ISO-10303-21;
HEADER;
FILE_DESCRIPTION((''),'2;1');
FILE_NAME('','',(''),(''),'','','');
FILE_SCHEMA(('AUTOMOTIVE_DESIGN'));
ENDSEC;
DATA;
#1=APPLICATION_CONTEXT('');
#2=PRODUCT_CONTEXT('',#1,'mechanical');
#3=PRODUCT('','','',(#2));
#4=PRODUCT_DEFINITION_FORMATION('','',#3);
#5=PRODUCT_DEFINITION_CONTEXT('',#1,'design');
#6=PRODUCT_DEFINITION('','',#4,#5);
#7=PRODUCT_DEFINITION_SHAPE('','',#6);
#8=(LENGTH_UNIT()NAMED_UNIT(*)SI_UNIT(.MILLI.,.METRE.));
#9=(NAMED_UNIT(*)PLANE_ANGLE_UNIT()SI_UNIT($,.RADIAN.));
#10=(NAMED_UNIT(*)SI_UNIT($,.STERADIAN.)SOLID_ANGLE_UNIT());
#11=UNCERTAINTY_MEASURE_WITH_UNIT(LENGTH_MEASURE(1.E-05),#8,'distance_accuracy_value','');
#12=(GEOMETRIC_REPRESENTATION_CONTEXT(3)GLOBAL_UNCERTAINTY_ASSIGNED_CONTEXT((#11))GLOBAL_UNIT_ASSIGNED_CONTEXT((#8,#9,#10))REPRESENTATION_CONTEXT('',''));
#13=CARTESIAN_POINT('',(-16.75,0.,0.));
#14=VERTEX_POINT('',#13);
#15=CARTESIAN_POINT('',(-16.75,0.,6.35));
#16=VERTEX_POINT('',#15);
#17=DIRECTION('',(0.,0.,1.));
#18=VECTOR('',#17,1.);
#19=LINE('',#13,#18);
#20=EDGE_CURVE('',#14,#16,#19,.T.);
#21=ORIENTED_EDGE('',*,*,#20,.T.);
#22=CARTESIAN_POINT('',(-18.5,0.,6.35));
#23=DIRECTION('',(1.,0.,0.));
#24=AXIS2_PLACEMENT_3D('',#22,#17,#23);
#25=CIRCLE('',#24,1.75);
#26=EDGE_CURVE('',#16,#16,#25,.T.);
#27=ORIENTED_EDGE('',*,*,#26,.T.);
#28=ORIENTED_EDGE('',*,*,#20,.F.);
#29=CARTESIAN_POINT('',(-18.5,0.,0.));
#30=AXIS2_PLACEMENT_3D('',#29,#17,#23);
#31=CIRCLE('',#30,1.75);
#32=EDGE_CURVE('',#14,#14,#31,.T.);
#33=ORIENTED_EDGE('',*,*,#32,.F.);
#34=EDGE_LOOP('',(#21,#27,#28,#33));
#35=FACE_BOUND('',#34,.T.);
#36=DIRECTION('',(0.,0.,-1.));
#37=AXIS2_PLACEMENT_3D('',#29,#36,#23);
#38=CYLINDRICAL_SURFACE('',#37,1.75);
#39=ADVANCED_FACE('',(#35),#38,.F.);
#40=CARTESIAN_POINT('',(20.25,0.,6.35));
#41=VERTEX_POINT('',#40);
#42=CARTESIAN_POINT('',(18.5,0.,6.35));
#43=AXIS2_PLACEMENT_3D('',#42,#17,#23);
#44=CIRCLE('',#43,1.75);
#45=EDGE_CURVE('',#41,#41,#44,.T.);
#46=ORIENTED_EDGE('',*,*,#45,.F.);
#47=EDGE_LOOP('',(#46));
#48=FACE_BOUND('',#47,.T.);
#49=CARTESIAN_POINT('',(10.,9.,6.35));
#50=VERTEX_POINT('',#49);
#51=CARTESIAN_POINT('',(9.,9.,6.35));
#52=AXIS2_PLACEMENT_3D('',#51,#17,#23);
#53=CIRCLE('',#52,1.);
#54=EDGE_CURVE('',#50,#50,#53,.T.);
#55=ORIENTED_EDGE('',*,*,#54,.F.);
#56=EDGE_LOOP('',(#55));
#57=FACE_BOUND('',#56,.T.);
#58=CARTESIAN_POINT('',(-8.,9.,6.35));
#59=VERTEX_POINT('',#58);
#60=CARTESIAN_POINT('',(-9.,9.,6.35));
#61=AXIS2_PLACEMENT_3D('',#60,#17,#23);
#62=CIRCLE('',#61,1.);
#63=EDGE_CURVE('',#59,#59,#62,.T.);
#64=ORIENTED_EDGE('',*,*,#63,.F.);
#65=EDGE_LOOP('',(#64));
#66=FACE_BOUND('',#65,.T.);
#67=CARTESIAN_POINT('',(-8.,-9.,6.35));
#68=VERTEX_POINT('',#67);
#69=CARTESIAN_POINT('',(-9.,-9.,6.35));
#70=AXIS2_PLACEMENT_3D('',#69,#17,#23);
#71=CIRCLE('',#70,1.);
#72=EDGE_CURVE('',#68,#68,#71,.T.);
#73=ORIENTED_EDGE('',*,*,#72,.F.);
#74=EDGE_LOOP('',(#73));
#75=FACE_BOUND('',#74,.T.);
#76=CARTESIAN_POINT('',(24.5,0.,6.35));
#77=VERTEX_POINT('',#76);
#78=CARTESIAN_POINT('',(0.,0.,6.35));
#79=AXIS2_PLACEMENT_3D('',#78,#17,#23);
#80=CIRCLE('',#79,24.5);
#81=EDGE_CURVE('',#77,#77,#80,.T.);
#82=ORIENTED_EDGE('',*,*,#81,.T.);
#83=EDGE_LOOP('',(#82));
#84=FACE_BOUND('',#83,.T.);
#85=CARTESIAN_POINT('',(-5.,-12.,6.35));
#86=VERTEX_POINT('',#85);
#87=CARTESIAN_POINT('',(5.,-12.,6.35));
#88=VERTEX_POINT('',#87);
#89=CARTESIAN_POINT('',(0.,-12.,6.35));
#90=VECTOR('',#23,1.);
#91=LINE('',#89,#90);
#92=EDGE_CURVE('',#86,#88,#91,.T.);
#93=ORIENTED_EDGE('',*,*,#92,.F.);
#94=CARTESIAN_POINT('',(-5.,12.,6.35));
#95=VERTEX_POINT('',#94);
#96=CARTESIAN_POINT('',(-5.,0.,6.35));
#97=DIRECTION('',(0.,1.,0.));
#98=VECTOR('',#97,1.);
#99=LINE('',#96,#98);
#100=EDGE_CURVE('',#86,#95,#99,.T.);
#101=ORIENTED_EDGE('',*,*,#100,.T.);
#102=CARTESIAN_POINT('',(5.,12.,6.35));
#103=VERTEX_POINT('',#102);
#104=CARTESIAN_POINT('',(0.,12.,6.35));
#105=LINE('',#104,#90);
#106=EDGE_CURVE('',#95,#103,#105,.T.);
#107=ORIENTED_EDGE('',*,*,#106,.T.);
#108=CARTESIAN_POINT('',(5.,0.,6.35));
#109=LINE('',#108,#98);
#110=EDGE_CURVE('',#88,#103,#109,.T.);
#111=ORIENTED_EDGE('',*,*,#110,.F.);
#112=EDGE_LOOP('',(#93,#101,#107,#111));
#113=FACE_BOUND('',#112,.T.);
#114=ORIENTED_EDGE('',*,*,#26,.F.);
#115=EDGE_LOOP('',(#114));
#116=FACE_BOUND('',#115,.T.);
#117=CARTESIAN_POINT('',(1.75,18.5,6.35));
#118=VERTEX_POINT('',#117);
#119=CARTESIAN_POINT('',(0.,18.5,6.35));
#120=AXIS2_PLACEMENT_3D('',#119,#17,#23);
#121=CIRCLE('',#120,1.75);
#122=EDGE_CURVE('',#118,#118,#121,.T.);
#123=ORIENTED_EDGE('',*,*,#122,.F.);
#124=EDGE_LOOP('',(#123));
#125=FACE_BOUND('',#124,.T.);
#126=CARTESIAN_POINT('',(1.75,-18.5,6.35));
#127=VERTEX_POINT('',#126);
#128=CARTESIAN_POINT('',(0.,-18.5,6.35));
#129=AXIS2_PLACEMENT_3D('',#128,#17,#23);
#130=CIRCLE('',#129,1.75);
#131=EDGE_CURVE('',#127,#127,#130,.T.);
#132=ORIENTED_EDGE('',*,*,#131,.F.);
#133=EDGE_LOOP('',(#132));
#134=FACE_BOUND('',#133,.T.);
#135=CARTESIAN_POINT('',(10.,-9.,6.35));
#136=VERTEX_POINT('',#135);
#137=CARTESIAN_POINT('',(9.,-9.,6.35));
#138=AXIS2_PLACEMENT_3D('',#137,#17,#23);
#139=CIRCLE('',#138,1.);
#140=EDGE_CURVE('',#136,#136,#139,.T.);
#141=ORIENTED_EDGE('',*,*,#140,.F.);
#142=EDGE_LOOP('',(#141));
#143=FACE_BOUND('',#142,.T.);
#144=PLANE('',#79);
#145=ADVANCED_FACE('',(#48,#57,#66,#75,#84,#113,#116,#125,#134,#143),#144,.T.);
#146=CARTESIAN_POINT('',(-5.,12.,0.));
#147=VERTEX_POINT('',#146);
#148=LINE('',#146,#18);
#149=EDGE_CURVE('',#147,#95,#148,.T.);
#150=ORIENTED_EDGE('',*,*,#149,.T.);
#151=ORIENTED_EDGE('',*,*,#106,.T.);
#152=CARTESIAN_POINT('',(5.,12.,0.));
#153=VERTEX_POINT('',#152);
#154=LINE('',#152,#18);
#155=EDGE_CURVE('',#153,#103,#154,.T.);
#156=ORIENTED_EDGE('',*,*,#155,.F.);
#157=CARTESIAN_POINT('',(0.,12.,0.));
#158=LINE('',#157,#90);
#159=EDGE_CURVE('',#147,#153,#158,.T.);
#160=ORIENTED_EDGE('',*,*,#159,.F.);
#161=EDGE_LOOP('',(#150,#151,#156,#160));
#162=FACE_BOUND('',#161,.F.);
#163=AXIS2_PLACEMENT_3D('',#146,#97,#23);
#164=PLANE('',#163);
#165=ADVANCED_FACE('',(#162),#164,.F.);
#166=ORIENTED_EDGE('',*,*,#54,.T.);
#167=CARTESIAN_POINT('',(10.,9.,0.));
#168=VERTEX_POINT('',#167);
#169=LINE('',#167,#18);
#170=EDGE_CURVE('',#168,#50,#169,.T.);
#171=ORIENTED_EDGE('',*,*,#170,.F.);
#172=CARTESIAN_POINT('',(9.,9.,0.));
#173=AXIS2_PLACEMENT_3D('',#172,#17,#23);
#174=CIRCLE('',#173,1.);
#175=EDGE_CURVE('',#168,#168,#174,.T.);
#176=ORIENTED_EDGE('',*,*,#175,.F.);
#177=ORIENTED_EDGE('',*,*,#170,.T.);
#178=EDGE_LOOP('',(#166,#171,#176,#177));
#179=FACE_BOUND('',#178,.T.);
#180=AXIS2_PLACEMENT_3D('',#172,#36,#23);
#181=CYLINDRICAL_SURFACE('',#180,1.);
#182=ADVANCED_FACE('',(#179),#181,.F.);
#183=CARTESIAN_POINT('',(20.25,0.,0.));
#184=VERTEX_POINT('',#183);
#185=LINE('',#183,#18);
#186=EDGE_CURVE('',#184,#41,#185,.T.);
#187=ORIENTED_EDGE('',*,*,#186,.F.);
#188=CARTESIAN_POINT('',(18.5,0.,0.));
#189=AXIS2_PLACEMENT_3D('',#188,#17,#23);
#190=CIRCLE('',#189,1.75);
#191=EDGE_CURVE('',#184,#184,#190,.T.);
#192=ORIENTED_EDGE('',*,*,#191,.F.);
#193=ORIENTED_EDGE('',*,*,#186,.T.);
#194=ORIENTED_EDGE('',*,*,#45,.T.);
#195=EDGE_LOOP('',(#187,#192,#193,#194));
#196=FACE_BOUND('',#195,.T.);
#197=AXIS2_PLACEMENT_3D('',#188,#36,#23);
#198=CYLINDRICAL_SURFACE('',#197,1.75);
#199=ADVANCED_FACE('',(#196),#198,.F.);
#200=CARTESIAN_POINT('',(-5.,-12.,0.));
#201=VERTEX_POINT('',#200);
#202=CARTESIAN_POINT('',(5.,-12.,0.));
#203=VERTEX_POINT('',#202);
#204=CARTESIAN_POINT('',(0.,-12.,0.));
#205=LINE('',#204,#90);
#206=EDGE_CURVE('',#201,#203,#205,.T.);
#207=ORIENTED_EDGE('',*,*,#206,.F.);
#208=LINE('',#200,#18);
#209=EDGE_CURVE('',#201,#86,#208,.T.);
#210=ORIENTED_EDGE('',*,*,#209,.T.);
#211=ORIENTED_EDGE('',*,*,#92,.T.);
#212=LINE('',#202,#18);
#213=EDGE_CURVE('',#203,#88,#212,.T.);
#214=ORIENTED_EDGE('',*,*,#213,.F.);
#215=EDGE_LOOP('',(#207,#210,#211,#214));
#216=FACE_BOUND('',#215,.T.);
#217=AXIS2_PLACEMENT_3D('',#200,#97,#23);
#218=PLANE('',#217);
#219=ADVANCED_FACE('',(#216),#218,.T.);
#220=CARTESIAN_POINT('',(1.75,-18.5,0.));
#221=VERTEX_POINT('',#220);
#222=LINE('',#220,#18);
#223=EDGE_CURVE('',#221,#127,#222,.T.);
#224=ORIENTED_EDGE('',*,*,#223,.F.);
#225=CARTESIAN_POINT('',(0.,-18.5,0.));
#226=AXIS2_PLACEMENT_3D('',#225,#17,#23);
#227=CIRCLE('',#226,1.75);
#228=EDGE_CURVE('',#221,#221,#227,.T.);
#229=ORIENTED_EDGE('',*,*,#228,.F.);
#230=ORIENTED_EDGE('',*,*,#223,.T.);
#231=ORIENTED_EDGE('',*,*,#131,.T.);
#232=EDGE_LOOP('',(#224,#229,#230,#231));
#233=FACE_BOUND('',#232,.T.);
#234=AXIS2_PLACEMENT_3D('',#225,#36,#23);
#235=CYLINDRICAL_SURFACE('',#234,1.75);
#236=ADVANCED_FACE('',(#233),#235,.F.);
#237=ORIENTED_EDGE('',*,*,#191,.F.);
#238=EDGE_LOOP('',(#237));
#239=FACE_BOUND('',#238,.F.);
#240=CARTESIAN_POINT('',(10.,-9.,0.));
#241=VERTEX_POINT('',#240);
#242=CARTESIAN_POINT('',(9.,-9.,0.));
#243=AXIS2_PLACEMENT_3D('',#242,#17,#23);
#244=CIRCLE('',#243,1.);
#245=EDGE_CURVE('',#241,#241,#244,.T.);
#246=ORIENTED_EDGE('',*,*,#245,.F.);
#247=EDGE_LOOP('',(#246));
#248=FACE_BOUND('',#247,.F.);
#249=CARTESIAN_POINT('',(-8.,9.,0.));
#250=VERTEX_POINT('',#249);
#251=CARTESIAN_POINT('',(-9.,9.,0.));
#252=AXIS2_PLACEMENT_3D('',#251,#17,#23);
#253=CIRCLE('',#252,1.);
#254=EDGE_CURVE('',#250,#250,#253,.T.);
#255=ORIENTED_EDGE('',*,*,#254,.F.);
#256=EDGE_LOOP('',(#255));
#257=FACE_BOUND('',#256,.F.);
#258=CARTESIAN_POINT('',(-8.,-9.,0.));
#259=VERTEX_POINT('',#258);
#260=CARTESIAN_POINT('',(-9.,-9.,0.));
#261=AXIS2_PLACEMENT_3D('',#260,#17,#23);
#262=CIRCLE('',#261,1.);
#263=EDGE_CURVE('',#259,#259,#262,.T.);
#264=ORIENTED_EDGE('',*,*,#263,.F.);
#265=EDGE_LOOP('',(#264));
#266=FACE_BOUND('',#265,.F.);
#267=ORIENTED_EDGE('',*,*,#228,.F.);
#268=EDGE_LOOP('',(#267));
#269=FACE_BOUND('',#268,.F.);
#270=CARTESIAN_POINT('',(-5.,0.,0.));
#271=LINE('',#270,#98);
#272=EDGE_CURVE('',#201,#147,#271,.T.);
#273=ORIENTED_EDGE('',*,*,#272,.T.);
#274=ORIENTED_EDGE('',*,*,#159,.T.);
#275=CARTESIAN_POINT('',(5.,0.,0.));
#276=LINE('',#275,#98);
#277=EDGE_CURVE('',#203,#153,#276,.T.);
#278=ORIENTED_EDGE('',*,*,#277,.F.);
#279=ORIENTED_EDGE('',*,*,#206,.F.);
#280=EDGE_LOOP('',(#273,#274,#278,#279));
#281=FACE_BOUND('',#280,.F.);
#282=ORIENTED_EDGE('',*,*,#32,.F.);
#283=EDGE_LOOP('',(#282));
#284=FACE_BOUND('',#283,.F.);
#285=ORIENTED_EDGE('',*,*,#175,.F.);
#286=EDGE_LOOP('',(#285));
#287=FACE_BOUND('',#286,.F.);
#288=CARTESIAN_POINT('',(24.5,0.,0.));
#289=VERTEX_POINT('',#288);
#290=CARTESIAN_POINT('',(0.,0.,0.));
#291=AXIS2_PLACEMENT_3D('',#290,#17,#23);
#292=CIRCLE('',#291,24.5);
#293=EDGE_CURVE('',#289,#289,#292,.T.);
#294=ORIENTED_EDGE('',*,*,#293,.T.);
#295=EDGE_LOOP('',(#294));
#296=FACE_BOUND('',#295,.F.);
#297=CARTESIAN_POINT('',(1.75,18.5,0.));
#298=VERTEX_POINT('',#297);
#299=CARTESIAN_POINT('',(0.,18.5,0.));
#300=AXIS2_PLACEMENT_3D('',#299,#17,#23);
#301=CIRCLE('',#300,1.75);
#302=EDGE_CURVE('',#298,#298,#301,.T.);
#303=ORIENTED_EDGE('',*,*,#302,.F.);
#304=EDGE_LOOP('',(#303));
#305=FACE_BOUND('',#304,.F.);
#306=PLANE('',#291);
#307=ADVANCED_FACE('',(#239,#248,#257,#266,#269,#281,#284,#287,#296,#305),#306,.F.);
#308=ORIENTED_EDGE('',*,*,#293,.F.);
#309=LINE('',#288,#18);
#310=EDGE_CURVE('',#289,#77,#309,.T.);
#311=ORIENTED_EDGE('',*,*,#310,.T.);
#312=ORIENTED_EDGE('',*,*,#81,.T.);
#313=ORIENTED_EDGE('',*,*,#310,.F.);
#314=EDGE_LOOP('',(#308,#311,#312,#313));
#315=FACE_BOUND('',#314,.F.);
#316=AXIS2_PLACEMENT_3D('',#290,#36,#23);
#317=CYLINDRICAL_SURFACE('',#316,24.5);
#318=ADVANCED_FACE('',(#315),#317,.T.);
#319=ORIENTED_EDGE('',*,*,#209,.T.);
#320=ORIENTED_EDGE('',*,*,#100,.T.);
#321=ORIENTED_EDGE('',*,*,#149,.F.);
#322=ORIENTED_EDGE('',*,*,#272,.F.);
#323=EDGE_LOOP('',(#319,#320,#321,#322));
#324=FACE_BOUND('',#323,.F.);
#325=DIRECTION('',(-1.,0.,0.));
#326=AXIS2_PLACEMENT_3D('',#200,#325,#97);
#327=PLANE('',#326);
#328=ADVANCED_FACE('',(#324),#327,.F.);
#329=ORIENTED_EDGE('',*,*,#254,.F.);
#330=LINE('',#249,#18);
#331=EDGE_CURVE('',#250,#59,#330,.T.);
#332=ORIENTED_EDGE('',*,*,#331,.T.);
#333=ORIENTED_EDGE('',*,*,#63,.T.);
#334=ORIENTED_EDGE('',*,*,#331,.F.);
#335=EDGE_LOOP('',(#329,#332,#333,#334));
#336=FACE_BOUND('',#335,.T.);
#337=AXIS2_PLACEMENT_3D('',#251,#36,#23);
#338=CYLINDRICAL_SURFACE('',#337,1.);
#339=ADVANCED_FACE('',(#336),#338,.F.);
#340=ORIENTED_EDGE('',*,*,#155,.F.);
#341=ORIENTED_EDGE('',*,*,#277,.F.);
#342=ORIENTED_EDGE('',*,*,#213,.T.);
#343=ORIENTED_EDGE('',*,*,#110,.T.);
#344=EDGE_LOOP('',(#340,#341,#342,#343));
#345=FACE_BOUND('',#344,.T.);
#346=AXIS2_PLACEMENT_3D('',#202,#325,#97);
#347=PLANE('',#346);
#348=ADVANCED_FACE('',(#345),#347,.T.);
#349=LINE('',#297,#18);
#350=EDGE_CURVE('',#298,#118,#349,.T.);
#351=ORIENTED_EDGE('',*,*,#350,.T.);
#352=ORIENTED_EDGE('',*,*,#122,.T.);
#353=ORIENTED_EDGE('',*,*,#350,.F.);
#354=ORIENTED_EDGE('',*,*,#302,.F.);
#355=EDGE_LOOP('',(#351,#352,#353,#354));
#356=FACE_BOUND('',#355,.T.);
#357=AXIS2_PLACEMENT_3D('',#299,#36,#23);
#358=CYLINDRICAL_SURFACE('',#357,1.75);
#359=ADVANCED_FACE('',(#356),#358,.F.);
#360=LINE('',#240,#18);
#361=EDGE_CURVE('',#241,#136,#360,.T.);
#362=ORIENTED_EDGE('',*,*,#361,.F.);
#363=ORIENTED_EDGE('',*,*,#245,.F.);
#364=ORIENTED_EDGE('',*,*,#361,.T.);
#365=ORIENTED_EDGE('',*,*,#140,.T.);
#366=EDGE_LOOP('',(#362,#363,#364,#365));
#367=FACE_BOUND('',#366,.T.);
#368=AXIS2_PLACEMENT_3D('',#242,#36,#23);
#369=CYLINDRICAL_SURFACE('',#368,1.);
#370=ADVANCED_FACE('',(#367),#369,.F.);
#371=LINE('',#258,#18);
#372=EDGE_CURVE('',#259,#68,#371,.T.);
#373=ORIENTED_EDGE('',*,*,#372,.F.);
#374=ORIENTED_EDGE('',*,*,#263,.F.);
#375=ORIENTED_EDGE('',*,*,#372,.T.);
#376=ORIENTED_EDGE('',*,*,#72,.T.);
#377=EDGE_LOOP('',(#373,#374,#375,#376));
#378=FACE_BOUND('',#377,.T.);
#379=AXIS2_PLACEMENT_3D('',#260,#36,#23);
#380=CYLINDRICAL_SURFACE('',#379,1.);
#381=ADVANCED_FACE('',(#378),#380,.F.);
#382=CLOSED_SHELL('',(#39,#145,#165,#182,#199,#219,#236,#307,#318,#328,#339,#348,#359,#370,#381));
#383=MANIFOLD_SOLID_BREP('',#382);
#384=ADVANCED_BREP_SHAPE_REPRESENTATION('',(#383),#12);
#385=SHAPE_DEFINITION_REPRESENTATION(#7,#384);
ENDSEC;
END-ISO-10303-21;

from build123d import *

# Parameters (mm, degrees)
F0_R     = 24.5
F0_R_2   = 1.75
F0_R_3   = 1
F0_W     = 10
F0_H     = 24
F1_DEPTH = 6.35


with BuildPart() as f1:
    # F0 (on Top) → F1 (new body)
    with BuildSketch(Plane.XY):
        Circle(F0_R)
        with Locations((0, -18.5)):
            Circle(F0_R_2, mode=Mode.SUBTRACT)
        with Locations((-18.5, 0)):
            Circle(F0_R_2, mode=Mode.SUBTRACT)
        with Locations((-9, -9)):
            Circle(F0_R_3, mode=Mode.SUBTRACT)
        Rectangle(F0_W, F0_H, mode=Mode.SUBTRACT)
        with Locations((9, -9)):
            Circle(F0_R_3, mode=Mode.SUBTRACT)
        with Locations((18.5, 0)):
            Circle(F0_R_2, mode=Mode.SUBTRACT)
        with Locations((-9, 9)):
            Circle(F0_R_3, mode=Mode.SUBTRACT)
        with Locations((0, 18.5)):
            Circle(F0_R_2, mode=Mode.SUBTRACT)
        with Locations((9, 9)):
            Circle(F0_R_3, mode=Mode.SUBTRACT)
    extrude(amount=F1_DEPTH)


solid = f1.part
